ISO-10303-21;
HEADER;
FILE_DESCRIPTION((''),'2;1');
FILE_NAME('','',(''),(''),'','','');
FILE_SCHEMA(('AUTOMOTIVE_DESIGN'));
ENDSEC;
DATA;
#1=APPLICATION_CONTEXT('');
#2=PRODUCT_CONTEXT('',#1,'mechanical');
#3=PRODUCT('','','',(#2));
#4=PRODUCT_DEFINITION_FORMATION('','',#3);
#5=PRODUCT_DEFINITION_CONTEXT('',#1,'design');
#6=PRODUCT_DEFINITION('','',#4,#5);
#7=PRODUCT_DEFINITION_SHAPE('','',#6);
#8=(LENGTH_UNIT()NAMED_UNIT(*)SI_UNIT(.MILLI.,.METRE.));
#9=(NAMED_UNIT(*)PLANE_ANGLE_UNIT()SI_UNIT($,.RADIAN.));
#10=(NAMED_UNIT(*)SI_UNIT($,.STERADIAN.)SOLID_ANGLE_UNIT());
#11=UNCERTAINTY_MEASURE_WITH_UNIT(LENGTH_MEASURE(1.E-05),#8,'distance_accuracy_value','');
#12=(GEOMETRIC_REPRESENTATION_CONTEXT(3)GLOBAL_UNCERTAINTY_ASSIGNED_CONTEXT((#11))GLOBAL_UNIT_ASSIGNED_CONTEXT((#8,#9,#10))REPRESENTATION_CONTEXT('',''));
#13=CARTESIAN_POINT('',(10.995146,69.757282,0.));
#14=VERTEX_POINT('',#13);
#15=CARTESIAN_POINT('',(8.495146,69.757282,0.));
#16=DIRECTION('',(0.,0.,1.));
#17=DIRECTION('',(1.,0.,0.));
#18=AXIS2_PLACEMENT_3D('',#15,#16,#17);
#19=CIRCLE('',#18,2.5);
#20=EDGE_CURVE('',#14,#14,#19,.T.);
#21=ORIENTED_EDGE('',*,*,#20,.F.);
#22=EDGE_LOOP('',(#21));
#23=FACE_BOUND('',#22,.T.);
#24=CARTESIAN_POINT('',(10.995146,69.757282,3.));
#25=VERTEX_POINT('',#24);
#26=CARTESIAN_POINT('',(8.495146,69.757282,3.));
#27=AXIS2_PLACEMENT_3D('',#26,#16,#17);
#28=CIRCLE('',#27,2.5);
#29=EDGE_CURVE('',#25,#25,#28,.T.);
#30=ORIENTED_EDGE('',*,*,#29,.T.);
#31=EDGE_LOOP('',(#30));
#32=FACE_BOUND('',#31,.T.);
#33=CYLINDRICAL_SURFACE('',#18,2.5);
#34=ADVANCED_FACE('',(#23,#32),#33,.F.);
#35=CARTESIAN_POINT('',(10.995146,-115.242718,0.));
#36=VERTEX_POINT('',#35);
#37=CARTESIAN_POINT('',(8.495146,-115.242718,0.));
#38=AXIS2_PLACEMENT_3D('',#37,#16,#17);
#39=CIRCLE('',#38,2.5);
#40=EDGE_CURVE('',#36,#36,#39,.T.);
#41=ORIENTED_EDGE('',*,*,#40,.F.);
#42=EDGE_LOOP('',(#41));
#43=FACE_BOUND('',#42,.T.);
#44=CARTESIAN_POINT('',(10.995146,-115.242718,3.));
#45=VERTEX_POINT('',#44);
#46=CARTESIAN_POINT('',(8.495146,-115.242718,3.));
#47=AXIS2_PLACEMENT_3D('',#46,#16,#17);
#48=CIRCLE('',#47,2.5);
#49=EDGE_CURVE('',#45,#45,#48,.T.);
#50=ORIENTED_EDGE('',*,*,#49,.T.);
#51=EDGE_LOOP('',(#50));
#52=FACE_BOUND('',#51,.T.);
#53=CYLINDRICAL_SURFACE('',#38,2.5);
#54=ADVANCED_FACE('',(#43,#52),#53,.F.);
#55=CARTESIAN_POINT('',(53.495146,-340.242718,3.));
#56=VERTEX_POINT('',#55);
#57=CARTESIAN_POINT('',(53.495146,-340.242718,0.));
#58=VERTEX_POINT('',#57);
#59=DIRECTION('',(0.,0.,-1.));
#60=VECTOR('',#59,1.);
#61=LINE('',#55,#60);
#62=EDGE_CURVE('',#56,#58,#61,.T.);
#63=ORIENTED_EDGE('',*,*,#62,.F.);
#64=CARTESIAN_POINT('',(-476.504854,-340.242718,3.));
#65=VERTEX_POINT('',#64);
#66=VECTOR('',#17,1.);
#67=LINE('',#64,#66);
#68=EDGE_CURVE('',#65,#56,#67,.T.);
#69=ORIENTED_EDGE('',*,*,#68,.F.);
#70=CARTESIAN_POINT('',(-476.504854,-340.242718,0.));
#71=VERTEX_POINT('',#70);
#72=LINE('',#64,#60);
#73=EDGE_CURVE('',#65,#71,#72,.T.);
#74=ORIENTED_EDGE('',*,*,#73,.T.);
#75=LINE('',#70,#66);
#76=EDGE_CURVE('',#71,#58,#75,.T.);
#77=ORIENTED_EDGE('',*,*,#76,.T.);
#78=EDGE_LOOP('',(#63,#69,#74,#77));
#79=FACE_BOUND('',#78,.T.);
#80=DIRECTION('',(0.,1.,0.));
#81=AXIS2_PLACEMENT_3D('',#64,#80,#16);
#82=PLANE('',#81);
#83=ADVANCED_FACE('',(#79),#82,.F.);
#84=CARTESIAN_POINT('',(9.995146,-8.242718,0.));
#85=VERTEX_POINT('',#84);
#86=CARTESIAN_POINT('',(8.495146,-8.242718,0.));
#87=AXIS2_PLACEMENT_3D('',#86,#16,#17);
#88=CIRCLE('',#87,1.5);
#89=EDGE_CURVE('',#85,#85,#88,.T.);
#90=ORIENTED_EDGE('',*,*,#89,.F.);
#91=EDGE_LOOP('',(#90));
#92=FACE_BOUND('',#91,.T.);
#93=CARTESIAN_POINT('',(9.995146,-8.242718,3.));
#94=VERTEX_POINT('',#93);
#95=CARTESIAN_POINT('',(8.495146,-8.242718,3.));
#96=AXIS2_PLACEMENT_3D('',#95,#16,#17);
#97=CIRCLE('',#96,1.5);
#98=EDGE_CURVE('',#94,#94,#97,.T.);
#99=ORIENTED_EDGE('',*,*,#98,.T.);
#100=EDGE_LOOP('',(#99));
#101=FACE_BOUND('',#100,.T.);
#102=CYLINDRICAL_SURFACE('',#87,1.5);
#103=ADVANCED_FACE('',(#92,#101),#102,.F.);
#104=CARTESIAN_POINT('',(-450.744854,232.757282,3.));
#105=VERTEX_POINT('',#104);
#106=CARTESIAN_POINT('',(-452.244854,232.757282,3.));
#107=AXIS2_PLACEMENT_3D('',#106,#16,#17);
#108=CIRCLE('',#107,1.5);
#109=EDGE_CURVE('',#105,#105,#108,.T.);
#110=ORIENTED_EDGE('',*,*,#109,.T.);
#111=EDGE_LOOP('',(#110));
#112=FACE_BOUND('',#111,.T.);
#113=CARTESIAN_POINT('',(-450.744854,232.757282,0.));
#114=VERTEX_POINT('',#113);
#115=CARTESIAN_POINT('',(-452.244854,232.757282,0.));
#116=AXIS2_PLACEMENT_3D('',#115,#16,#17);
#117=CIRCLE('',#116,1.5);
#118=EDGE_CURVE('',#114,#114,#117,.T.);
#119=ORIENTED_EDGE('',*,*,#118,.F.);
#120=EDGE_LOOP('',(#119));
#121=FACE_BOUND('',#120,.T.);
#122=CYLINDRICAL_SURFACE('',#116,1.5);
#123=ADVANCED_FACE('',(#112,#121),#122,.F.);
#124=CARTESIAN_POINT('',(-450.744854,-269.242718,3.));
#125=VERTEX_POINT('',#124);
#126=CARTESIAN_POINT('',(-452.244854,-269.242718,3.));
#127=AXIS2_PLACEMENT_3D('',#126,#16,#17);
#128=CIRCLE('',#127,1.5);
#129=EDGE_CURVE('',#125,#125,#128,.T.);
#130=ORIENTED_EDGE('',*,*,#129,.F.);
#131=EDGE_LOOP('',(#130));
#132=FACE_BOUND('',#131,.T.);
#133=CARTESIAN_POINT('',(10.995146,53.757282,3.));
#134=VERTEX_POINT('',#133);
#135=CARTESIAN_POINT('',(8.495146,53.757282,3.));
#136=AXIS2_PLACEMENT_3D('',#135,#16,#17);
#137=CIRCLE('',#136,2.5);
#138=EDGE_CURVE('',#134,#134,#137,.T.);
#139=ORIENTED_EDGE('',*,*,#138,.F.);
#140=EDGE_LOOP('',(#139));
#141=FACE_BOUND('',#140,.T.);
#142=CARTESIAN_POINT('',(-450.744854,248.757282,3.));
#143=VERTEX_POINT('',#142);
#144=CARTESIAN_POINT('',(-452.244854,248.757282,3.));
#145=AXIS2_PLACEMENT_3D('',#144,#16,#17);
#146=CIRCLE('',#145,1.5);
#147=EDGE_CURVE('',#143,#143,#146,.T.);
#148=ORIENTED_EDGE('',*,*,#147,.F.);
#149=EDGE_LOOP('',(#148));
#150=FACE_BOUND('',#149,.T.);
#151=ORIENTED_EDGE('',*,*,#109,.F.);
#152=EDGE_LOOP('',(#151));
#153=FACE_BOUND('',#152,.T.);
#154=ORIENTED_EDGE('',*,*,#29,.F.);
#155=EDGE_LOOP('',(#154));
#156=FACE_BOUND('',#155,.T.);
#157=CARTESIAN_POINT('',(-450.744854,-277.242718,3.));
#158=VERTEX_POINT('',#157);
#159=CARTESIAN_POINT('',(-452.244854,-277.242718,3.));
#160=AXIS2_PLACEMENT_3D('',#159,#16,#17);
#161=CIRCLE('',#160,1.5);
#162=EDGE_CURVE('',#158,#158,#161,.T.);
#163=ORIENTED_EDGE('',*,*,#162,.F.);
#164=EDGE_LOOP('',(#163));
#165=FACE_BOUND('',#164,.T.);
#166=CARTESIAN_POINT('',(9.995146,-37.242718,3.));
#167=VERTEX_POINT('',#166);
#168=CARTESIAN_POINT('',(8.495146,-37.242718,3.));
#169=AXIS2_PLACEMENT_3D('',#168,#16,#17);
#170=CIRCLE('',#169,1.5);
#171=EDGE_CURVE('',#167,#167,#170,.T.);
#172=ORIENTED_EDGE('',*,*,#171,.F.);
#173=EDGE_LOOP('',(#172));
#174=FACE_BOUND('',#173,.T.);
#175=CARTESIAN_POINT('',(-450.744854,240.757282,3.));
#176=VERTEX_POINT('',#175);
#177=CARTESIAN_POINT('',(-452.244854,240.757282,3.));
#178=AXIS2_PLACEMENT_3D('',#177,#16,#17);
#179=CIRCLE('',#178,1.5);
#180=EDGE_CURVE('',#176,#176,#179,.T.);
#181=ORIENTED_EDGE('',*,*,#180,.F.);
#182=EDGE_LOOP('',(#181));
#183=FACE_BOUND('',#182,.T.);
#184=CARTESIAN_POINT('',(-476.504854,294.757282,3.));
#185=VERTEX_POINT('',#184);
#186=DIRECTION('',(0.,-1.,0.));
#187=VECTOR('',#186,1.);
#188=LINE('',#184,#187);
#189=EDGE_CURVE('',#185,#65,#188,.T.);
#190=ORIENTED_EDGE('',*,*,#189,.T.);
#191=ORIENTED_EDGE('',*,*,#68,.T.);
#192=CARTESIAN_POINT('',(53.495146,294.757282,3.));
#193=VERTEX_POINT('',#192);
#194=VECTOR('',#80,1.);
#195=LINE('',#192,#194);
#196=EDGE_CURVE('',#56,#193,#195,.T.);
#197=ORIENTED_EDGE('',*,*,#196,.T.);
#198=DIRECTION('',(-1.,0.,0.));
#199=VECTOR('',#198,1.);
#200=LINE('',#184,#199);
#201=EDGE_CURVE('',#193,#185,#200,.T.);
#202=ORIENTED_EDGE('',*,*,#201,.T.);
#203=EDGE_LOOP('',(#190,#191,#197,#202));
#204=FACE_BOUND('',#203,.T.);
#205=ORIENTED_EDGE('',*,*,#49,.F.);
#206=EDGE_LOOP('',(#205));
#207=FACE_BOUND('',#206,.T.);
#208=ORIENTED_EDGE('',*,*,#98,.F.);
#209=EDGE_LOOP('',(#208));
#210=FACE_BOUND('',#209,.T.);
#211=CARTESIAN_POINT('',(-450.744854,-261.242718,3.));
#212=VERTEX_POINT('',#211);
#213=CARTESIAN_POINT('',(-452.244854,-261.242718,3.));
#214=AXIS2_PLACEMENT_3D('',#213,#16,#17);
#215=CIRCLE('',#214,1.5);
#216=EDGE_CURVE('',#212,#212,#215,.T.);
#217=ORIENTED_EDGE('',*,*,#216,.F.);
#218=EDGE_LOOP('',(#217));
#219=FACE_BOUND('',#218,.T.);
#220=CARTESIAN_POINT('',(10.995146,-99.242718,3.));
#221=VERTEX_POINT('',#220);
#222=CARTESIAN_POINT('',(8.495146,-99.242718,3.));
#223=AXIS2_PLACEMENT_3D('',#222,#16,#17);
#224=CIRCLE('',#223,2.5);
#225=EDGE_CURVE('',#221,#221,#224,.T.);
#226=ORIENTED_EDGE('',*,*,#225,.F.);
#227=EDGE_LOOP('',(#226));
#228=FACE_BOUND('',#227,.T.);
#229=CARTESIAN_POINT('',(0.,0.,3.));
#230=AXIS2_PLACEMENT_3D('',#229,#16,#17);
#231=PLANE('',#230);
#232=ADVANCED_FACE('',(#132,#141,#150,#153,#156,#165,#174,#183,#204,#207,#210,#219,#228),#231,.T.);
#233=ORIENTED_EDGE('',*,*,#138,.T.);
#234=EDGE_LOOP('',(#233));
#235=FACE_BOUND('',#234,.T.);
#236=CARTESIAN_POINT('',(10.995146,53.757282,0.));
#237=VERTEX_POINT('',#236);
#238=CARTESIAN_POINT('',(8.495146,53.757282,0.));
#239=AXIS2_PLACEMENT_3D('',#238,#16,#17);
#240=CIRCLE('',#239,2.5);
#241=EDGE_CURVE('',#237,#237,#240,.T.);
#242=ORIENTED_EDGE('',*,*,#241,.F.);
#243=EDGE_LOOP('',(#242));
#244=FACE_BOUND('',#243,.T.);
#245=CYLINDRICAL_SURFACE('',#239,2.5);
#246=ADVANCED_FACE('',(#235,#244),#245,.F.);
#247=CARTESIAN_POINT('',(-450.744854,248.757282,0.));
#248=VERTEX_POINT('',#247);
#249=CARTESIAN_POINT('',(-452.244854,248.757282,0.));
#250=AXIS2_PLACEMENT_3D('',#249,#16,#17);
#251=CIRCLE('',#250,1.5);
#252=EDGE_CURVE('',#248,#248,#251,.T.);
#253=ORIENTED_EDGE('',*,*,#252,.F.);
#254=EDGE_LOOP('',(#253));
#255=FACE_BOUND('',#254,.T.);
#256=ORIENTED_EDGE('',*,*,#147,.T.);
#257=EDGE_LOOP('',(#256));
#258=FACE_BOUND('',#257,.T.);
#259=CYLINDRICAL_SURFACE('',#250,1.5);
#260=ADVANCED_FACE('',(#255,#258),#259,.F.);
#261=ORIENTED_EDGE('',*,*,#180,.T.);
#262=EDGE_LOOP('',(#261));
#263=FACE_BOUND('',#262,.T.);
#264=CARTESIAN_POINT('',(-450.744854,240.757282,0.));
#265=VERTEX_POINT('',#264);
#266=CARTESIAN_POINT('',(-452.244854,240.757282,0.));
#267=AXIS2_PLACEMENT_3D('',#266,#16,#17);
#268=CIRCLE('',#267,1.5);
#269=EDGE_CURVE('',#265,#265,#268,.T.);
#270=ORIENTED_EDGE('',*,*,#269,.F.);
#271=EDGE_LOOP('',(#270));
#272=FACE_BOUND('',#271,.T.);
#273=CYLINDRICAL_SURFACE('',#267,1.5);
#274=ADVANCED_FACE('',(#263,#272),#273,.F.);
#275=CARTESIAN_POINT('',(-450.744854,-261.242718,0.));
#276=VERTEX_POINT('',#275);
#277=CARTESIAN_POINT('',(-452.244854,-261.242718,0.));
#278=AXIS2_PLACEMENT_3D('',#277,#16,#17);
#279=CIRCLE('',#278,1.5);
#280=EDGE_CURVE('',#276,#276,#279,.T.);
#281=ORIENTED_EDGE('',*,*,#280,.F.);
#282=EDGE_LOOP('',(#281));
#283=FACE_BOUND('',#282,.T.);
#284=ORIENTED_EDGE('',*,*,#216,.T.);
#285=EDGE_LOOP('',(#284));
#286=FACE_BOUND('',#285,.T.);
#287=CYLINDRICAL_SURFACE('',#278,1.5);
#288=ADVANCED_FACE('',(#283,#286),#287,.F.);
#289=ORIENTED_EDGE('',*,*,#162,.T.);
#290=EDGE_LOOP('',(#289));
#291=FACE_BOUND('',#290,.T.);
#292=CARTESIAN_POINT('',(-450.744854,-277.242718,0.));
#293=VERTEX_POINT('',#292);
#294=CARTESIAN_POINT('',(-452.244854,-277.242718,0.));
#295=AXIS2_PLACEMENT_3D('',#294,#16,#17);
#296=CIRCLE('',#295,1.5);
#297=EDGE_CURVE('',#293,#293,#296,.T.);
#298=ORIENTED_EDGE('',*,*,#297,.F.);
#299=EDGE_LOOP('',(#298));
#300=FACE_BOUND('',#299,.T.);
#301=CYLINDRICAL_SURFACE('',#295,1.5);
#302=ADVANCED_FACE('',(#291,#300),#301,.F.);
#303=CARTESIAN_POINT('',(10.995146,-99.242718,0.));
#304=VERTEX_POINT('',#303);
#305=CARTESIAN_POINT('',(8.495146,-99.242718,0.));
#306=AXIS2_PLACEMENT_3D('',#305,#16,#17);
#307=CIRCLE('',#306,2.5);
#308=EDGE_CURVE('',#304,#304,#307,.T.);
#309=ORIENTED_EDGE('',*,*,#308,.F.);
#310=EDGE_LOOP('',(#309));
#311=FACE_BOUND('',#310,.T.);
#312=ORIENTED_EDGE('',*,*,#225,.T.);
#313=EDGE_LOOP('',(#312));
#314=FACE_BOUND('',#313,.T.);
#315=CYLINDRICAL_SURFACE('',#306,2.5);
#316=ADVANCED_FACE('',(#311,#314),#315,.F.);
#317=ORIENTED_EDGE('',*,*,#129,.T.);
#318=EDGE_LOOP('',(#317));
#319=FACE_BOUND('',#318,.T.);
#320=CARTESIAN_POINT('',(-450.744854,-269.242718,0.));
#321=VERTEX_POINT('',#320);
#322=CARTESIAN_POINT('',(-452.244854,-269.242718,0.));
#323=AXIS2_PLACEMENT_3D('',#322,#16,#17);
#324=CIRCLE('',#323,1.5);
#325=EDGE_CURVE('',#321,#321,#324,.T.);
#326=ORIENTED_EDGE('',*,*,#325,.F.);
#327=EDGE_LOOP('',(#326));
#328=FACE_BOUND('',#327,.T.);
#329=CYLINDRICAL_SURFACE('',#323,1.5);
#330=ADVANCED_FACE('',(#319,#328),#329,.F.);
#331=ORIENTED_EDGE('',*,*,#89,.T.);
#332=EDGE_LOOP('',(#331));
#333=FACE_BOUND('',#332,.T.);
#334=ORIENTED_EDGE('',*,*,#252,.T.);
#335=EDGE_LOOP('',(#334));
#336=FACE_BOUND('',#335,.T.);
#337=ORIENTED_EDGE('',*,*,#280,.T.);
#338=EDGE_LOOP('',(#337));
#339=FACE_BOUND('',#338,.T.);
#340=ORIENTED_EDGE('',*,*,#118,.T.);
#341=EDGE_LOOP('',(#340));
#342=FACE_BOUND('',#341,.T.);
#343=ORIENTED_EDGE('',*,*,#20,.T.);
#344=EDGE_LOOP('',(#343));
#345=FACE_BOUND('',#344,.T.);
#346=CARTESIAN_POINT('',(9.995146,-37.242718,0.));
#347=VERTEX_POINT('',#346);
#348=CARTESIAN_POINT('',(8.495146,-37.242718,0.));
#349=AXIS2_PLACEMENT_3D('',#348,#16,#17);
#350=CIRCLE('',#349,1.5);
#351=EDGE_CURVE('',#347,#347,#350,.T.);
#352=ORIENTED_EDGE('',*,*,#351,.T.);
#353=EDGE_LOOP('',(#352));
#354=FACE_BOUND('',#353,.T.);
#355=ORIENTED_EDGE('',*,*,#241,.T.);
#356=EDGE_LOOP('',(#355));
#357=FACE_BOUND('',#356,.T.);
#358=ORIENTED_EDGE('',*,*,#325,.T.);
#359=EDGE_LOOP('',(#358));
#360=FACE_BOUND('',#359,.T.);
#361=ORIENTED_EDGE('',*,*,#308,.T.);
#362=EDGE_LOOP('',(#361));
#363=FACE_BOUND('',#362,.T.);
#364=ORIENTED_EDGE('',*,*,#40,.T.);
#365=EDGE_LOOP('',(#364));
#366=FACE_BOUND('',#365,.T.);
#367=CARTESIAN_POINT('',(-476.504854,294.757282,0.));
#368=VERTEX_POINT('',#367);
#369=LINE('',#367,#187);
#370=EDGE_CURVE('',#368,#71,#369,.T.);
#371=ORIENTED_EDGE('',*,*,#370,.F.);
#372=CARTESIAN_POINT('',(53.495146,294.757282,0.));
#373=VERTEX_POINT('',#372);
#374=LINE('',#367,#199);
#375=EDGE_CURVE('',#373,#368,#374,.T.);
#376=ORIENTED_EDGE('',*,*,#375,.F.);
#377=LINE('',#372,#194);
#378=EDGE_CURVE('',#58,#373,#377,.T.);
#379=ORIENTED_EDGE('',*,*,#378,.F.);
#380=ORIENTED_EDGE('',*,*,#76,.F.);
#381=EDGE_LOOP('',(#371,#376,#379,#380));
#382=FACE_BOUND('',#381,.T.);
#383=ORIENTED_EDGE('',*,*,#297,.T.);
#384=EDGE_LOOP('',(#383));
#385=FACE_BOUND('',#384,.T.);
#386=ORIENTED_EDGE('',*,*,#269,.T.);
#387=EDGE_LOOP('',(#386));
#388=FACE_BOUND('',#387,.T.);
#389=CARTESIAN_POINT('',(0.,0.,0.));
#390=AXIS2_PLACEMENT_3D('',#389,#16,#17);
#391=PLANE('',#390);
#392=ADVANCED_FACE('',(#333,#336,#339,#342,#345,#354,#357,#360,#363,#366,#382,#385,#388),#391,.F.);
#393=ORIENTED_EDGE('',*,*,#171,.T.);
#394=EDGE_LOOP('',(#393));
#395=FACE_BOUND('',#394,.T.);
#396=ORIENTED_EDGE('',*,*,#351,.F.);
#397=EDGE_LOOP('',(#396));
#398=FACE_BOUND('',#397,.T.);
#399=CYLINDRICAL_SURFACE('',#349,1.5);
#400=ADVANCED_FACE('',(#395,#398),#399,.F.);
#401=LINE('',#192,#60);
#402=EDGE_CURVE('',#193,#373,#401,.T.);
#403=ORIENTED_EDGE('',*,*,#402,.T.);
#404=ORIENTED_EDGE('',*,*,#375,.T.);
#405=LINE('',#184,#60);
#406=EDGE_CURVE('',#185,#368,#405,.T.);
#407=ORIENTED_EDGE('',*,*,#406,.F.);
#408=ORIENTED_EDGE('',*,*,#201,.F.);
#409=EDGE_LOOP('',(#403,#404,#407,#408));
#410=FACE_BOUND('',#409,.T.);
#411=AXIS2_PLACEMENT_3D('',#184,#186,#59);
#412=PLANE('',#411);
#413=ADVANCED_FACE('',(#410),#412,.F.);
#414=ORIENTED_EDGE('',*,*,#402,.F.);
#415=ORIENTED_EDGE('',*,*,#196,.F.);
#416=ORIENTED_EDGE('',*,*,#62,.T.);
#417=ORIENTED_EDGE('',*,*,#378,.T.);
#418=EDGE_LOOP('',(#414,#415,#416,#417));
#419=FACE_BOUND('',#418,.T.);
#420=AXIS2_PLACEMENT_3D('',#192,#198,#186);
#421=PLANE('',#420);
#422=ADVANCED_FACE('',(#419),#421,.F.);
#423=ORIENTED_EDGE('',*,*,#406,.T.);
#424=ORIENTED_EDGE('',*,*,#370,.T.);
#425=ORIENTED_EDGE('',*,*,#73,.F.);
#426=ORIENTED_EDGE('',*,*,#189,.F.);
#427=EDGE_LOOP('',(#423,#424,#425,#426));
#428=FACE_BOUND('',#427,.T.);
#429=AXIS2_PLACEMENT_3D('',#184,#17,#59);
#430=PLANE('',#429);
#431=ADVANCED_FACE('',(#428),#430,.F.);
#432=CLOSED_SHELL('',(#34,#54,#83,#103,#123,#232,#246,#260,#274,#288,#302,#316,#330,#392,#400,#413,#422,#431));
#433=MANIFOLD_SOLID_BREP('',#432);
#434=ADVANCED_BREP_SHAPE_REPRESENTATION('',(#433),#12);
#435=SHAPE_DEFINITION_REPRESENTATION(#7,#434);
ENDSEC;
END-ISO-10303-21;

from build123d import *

# Parameters (mm, degrees)
SKETCH1_W           = 530
SKETCH1_H           = 635
BOSS_EXTRUDE1_DEPTH = 3
SKETCH2_R           = 1.5
CUT_EXTRUDE1_DEPTH  = 586.517705704
SKETCH3_R           = 2.5
SKETCH3_R_2         = 1.5
CUT_EXTRUDE2_DEPTH  = 586.517705704


with BuildPart() as part:
    # Sketch1 → Boss-Extrude1 (new body)
    with BuildSketch(Plane.XY):
        with Locations((-211.504854369, -22.742718447)):
            Rectangle(SKETCH1_W, SKETCH1_H)
    extrude(amount=BOSS_EXTRUDE1_DEPTH)

    # Sketch2 → Cut-Extrude1 (cut, through all)
    with BuildSketch(Plane.XY.offset(3)):
        with Locations((-452.244854369, 248.757281553)):
            Circle(SKETCH2_R)
        with Locations((-452.244854369, 240.757281553)):
            Circle(SKETCH2_R)
        with Locations((-452.244854369, 232.757281553)):
            Circle(SKETCH2_R)
        with Locations((-452.244854369, -261.242718447)):
            Circle(SKETCH2_R)
        with Locations((-452.244854369, -269.242718447)):
            Circle(SKETCH2_R)
        with Locations((-452.244854369, -277.242718447)):
            Circle(SKETCH2_R)
    extrude(amount=-CUT_EXTRUDE1_DEPTH, mode=Mode.SUBTRACT)

    # Sketch3 → Cut-Extrude2 (cut, through all)
    with BuildSketch(Plane.XY.offset(3)):
        with Locations((8.495145631, 69.757281553)):
            Circle(SKETCH3_R)
        with Locations((8.495145631, 53.757281553)):
            Circle(SKETCH3_R)
        with Locations((8.495145631, -99.242718447)):
            Circle(SKETCH3_R)
        with Locations((8.495145631, -115.242718447)):
            Circle(SKETCH3_R)
        with Locations((8.495145631, -37.242718447)):
            Circle(SKETCH3_R_2)
        with Locations((8.495145631, -8.242718447)):
            Circle(SKETCH3_R_2)
    extrude(amount=-CUT_EXTRUDE2_DEPTH, mode=Mode.SUBTRACT)


solid = part.part
